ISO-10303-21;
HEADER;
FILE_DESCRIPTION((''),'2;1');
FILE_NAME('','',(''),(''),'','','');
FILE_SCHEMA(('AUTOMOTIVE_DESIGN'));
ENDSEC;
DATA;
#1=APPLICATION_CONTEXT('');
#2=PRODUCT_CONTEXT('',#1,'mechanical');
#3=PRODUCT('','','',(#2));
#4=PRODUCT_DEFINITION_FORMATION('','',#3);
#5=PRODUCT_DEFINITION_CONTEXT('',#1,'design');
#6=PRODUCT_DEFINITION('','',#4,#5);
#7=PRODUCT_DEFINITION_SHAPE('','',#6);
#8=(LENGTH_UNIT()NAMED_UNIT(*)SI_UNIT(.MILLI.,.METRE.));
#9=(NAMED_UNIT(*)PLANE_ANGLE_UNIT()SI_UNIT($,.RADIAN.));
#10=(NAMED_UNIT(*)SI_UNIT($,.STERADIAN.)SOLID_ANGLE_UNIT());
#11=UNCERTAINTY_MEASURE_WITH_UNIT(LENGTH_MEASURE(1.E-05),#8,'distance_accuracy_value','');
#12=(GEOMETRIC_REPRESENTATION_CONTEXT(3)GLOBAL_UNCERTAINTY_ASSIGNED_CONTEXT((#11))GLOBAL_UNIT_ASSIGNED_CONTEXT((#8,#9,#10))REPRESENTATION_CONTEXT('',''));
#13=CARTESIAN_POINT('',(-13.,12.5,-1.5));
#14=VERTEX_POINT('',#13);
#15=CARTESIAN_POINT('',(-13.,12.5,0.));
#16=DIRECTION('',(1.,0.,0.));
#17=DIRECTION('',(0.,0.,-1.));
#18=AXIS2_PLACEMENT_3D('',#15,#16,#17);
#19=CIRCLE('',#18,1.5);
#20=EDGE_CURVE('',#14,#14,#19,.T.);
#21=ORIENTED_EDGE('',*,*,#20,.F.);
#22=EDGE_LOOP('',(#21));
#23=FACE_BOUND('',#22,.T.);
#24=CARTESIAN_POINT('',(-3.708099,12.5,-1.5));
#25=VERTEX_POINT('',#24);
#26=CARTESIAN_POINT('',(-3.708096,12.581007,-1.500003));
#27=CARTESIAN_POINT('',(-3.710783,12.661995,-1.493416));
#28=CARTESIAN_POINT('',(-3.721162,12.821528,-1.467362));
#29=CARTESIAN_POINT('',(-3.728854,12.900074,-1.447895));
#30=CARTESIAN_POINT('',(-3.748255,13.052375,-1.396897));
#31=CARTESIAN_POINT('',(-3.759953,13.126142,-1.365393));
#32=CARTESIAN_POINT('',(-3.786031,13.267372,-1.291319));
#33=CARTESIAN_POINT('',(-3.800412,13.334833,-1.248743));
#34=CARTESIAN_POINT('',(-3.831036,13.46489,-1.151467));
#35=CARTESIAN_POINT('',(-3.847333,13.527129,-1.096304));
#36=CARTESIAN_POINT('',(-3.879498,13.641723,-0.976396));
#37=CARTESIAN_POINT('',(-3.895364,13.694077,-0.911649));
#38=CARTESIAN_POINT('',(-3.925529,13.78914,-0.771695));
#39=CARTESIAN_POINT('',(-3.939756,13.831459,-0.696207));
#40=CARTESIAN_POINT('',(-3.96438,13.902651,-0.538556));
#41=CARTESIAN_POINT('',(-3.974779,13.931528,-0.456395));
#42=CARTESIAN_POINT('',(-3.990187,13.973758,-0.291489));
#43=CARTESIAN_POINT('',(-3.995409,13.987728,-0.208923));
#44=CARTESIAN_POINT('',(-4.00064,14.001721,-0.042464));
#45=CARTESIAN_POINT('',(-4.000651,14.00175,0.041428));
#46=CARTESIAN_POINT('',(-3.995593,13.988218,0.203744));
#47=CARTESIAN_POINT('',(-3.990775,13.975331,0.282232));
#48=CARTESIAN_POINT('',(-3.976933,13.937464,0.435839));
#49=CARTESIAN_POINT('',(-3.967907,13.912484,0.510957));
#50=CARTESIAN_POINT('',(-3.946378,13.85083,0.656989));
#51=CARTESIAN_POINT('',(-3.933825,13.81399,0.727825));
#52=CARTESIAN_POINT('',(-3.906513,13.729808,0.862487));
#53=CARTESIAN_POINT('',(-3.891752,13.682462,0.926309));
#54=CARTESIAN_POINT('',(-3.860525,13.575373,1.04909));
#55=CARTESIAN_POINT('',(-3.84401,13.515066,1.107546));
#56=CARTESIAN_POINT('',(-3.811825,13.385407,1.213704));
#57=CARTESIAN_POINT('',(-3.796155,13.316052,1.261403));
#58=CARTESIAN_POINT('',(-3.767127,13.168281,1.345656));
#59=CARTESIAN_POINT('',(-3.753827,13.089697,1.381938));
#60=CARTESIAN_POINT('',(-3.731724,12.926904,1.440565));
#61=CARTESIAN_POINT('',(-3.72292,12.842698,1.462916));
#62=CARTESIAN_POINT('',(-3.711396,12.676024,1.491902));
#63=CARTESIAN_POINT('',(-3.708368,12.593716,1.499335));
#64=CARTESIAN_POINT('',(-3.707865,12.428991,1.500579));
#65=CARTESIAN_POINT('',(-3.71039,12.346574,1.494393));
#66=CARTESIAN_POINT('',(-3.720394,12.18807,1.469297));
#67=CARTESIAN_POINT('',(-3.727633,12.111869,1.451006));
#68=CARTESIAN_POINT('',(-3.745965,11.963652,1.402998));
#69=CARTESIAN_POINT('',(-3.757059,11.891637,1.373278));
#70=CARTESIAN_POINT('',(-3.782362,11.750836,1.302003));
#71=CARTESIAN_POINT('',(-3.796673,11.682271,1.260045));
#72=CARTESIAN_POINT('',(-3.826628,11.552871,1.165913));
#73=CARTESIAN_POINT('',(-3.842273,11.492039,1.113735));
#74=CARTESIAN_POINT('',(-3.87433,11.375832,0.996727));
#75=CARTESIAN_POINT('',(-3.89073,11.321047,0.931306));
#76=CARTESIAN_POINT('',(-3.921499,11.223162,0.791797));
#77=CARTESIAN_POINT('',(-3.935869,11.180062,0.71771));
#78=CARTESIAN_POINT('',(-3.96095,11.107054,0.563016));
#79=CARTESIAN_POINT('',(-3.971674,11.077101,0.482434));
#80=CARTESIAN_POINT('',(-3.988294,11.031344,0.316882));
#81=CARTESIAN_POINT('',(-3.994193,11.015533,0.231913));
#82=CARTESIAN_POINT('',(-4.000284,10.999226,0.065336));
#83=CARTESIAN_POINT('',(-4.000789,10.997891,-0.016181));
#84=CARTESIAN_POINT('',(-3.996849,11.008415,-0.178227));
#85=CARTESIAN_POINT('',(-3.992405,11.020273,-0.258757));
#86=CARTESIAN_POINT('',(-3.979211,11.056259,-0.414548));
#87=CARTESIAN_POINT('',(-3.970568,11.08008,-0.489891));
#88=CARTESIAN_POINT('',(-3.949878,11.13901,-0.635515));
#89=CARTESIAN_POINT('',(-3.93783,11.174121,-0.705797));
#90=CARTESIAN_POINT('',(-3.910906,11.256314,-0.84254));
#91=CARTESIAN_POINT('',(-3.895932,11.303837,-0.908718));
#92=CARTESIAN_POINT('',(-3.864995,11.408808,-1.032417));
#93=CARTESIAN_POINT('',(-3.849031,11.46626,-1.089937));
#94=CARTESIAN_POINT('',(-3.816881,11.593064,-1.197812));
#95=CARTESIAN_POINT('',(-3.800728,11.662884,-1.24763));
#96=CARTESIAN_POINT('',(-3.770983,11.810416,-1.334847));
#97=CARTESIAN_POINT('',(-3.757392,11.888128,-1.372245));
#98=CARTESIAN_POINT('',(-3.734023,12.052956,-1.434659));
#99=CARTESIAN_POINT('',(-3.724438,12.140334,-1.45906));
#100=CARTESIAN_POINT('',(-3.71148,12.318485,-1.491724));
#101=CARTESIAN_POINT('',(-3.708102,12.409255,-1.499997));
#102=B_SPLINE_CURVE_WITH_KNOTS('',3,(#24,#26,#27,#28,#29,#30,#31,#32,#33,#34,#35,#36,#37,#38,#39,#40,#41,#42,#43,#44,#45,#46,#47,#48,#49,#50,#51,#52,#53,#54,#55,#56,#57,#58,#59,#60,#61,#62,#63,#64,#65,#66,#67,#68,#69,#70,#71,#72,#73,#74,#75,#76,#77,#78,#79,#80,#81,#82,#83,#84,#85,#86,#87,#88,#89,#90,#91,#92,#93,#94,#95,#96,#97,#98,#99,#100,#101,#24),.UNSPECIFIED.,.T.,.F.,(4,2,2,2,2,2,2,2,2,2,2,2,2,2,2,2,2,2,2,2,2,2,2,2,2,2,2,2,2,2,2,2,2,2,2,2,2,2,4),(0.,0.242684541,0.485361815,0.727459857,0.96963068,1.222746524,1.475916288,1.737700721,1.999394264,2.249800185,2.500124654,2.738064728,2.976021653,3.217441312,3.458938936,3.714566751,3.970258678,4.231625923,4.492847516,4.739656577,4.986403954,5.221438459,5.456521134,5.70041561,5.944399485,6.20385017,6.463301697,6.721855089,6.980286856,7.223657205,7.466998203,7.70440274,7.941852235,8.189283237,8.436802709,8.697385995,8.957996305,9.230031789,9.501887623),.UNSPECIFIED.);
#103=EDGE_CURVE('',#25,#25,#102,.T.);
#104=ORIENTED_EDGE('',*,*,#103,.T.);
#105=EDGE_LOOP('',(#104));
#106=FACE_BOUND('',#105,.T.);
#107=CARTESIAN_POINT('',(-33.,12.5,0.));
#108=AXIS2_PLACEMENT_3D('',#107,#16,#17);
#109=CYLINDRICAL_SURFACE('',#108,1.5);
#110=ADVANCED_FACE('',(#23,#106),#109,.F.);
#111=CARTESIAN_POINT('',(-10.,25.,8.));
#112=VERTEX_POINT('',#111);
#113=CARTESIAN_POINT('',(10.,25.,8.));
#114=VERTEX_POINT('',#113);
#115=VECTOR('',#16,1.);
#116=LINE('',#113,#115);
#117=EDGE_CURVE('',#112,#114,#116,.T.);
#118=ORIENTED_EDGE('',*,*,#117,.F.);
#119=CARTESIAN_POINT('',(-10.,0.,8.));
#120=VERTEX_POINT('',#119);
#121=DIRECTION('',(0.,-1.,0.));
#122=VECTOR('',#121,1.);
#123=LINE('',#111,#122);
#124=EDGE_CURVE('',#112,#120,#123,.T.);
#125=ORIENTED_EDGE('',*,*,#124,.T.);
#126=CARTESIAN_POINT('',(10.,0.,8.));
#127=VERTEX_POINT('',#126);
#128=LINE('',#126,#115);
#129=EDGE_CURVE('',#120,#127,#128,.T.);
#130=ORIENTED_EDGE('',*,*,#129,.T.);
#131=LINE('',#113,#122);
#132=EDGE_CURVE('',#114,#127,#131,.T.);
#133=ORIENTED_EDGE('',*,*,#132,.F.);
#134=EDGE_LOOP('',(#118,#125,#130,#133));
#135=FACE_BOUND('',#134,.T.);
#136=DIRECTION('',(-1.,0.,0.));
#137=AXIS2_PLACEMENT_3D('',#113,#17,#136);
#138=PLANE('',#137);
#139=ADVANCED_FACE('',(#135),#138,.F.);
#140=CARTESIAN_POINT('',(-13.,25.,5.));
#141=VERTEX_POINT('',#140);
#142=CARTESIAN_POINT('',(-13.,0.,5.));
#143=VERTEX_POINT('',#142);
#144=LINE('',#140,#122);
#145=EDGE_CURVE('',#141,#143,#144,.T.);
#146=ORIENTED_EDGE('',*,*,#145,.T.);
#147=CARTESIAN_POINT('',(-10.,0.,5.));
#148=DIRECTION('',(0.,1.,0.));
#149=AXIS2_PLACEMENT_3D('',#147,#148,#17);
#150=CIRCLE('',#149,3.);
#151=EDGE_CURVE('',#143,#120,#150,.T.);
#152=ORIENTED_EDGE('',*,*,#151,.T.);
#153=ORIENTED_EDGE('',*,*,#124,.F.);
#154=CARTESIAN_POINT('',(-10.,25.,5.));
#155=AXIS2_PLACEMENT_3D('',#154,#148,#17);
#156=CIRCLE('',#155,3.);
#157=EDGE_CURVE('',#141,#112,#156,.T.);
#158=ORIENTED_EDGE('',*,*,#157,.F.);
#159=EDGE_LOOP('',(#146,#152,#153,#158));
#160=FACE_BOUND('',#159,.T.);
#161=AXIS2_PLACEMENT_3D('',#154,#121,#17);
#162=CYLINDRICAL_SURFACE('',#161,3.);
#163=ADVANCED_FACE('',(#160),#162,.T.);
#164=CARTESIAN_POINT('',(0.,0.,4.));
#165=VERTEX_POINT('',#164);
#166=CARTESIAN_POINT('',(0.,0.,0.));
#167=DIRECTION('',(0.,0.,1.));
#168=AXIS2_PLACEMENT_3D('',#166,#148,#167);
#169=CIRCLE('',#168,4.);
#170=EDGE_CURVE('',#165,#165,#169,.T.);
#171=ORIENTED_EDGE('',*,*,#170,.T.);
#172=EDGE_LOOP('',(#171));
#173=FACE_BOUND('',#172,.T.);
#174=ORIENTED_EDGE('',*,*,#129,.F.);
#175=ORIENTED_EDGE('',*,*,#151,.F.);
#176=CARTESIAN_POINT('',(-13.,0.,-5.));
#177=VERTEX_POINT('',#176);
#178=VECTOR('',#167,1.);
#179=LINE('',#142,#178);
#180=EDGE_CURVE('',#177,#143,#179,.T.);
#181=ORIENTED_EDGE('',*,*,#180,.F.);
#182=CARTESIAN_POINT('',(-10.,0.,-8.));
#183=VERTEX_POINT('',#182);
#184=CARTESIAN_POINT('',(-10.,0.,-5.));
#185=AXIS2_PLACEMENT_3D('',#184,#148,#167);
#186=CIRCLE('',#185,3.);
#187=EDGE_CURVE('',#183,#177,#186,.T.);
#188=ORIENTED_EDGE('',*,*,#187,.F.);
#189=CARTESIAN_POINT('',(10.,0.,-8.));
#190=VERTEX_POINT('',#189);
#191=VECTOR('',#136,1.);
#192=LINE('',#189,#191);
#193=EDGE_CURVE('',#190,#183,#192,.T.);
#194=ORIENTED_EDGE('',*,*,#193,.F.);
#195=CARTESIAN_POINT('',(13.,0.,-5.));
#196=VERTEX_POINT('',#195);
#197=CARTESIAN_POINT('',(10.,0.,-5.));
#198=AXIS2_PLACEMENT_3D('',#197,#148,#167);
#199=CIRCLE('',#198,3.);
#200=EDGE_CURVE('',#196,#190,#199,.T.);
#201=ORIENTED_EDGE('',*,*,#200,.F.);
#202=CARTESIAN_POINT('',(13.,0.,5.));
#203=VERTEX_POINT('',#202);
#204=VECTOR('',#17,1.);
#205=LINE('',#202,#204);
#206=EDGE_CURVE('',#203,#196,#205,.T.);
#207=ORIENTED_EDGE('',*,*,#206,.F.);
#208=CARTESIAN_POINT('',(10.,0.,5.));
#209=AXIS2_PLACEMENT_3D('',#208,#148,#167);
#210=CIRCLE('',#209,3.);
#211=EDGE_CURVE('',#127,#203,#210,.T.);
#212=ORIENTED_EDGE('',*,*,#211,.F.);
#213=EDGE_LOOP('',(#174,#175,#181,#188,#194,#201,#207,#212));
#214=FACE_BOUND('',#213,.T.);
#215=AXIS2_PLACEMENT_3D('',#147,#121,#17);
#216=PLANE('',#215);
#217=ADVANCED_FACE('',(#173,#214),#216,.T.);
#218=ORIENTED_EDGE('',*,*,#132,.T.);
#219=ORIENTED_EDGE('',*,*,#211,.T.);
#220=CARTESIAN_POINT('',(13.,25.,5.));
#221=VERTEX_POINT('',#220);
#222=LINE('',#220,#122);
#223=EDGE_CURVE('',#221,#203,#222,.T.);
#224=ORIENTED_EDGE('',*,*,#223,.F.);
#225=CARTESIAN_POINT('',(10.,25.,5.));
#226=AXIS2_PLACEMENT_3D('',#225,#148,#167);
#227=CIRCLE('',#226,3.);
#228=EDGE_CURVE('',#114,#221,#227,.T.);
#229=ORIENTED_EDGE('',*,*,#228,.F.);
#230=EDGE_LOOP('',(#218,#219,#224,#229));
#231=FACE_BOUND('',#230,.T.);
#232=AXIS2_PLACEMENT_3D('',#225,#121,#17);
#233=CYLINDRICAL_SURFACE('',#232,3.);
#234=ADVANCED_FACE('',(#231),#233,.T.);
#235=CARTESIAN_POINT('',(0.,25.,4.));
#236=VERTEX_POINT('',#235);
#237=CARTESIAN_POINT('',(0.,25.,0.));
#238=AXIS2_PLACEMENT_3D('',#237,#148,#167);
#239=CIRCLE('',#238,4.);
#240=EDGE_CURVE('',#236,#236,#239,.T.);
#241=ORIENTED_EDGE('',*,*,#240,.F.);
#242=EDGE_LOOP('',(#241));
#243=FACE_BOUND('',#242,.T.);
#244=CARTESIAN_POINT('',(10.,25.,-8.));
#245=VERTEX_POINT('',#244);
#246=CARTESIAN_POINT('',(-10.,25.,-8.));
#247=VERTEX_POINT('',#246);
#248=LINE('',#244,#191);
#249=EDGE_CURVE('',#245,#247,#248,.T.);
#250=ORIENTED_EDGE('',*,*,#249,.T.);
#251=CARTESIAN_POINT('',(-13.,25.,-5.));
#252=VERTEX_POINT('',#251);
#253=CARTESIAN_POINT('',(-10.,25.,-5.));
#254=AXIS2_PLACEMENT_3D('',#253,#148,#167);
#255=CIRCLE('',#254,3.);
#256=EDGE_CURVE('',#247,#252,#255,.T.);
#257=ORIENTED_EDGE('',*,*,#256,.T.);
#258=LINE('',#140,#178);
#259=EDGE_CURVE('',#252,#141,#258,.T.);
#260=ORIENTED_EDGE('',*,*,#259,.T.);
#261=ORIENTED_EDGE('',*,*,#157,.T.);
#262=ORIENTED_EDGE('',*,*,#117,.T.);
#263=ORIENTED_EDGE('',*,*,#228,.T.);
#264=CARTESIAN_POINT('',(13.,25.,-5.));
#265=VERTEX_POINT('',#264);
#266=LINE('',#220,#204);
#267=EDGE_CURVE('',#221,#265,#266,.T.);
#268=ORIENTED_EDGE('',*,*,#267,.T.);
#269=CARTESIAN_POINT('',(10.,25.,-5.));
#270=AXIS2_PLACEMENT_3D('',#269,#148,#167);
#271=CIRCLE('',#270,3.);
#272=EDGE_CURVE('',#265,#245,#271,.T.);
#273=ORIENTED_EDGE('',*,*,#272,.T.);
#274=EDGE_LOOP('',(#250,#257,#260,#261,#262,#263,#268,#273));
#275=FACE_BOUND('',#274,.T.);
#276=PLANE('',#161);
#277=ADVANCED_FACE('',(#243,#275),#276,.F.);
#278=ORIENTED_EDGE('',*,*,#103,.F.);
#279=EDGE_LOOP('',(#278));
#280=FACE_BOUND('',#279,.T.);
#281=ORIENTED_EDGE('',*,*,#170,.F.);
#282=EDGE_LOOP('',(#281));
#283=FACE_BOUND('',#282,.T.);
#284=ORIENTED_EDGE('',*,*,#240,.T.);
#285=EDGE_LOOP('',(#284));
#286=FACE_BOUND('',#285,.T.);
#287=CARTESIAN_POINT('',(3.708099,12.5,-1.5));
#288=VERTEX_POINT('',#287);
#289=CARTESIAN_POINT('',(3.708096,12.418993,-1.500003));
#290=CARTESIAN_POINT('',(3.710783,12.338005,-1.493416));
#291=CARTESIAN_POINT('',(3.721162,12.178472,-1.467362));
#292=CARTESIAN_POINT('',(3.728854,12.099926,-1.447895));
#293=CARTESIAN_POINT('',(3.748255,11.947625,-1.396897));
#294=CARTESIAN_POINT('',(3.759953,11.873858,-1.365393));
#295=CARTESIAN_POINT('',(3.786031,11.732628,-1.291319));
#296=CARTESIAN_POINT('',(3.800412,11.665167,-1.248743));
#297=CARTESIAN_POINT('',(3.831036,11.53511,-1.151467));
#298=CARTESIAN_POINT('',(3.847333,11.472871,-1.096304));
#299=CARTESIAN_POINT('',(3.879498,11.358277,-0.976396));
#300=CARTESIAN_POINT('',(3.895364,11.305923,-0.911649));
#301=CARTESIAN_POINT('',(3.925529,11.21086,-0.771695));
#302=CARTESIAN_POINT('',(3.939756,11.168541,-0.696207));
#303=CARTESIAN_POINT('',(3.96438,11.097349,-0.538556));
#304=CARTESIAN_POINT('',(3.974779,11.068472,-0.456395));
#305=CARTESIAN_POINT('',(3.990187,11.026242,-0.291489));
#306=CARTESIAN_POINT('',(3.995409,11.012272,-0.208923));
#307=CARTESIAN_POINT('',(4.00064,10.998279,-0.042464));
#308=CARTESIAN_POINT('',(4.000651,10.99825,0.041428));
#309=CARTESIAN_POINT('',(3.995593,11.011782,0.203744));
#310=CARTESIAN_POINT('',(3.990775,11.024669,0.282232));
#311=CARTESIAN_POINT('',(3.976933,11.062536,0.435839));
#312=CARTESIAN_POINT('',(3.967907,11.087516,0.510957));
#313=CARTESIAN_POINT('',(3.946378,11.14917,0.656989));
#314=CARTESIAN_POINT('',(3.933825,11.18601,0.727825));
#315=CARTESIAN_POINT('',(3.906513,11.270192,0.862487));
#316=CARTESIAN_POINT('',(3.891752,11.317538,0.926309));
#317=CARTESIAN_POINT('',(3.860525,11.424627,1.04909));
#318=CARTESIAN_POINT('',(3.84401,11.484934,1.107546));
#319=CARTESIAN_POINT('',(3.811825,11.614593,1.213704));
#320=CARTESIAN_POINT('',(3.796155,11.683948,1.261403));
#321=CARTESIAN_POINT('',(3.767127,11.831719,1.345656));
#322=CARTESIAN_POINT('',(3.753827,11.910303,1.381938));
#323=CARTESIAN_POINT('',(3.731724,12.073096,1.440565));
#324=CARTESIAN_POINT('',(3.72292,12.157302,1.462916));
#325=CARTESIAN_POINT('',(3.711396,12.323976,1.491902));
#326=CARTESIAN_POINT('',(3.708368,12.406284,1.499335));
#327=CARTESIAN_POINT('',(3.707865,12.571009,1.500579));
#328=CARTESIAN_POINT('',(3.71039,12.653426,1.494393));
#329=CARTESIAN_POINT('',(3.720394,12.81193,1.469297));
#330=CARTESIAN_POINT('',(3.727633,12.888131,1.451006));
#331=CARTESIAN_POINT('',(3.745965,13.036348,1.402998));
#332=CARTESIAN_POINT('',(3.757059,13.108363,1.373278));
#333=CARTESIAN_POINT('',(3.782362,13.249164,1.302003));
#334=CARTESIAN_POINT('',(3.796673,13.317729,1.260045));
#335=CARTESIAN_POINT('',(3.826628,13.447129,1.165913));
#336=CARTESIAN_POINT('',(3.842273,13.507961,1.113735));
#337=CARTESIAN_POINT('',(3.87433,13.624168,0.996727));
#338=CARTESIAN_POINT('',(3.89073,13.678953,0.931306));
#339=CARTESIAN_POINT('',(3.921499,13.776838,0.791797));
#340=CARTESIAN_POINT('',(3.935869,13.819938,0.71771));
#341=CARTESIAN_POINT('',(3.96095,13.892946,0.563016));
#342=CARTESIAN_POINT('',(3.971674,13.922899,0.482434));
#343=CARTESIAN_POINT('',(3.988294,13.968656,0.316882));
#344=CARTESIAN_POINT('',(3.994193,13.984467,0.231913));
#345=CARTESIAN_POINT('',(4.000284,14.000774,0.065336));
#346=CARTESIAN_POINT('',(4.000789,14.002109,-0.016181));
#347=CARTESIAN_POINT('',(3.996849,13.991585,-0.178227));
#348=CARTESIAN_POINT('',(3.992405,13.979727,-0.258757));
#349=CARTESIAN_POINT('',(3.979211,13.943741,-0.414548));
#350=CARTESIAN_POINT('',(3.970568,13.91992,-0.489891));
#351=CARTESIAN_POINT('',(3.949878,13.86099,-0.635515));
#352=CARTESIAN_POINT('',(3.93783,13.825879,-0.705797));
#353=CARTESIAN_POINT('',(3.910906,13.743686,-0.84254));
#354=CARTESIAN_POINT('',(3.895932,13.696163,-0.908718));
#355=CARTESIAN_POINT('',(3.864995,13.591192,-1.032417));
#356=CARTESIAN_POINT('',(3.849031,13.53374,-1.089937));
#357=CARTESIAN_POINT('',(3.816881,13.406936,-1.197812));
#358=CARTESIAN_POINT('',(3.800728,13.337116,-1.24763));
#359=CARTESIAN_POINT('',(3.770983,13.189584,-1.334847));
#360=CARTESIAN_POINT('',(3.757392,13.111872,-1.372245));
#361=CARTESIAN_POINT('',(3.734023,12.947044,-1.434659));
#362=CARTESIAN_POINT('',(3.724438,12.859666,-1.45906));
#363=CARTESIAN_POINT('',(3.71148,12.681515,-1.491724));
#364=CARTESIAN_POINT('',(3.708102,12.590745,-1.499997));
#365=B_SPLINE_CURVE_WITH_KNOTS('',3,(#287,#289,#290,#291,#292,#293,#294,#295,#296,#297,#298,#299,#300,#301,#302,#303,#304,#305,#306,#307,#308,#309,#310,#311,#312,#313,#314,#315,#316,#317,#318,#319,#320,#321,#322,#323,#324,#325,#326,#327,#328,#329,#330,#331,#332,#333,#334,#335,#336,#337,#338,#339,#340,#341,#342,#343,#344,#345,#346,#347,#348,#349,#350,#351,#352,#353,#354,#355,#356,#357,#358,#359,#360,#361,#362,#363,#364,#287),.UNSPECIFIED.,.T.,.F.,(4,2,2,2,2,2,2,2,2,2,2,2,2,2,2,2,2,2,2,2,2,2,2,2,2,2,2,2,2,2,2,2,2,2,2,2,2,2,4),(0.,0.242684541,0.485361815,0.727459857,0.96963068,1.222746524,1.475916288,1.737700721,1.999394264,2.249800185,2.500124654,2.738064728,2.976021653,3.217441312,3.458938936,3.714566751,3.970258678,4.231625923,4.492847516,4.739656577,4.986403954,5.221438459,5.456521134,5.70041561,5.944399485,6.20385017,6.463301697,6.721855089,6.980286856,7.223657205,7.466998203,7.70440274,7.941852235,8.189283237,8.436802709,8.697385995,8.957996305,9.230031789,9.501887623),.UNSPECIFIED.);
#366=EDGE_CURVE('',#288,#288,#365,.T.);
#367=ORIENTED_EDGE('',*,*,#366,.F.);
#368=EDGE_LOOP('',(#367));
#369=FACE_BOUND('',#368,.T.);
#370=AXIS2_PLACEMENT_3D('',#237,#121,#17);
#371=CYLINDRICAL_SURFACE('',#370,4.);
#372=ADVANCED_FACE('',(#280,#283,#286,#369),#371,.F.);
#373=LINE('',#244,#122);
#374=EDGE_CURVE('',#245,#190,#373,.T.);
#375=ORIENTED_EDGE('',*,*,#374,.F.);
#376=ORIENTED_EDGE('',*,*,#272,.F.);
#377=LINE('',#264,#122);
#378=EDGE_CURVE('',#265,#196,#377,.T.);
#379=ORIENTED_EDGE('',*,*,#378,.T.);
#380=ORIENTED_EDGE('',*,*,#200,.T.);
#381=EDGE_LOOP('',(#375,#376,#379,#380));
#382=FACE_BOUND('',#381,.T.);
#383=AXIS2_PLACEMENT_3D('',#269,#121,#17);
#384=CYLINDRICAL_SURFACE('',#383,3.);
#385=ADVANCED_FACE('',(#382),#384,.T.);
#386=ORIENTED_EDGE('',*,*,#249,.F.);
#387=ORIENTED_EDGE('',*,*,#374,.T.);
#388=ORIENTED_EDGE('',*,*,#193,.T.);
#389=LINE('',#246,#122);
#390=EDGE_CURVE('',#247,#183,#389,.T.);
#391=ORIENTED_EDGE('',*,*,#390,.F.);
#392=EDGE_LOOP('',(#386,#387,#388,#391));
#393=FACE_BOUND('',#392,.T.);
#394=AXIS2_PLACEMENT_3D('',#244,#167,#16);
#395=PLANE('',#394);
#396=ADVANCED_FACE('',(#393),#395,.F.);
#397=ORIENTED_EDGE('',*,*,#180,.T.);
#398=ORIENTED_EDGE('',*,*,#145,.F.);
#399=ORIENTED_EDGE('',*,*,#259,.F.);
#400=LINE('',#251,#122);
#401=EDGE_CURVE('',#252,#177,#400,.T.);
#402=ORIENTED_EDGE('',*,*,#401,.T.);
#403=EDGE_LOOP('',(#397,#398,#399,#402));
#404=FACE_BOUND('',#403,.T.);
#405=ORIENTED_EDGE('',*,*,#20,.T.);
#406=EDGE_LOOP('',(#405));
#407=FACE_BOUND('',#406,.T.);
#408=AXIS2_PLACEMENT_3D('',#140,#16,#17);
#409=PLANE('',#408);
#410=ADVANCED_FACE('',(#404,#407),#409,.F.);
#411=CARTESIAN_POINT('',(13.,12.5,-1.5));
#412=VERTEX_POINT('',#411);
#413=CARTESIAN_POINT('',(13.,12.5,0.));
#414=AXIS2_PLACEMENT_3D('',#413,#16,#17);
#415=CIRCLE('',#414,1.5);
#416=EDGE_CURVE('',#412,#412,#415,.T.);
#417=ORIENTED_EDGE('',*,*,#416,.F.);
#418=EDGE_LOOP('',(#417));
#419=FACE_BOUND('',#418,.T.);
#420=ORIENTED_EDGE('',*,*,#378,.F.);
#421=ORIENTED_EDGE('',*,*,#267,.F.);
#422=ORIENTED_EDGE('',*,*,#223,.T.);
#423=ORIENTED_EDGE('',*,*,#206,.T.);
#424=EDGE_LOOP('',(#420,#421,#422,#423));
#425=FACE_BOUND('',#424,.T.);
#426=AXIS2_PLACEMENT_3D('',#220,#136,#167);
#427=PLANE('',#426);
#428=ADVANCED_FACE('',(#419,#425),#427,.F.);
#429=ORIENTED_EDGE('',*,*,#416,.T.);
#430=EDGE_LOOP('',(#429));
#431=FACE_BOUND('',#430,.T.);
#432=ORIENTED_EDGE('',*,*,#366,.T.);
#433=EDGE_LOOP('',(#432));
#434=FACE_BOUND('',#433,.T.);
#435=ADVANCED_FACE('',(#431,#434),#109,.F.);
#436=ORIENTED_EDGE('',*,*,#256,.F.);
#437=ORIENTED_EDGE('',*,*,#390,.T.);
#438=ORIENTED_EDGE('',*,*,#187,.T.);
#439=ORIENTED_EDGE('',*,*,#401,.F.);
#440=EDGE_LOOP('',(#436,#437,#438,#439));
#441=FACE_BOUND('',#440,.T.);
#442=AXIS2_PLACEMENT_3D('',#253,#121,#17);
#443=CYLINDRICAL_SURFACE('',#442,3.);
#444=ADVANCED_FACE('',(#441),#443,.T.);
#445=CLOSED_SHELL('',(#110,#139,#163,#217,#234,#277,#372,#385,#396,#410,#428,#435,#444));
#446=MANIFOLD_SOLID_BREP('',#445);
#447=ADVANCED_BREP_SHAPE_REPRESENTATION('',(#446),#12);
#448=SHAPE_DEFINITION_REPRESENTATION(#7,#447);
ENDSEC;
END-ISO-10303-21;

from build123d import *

# Parameters (mm, degrees)
SKETCH1_R           = 4
BOSS_EXTRUDE1_DEPTH = 25
SKETCH2_R           = 1.5
CUT_EXTRUDE1_DEPTH  = 46


with BuildPart() as part:
    # Sketch1 → Boss-Extrude1 (new body)
    with BuildSketch(Plane(origin=(0, 0, 0), x_dir=(1, 0, 0), z_dir=(0, 1, 0))):
        with BuildLine():
            Line((10, -8), (-10, -8))
            ThreePointArc((-10, -8), (-12.121320344, -7.121320344), (-13, -5))
            Line((-13, -5), (-13, 5))
            ThreePointArc((-13, 5), (-12.121320344, 7.121320344), (-10, 8))
            Line((-10, 8), (10, 8))
            ThreePointArc((10, 8), (12.121320344, 7.121320344), (13, 5))
            Line((13, 5), (13, -5))
            ThreePointArc((13, -5), (12.121320344, -7.121320344), (10, -8))
        make_face()
        with Locations(Location((0, 0, 0), (0, 0, 270))):
            Circle(SKETCH1_R, mode=Mode.SUBTRACT)
    extrude(amount=BOSS_EXTRUDE1_DEPTH)

    # Sketch2 → Cut-Extrude1 (cut)
    with BuildSketch(Plane(origin=(13, 0, 0), x_dir=(0, 0, -1), z_dir=(1, 0, 0))):
        with Locations((0, 12.5)):
            Circle(SKETCH2_R)
    extrude(amount=-CUT_EXTRUDE1_DEPTH, mode=Mode.SUBTRACT)


solid = part.part
